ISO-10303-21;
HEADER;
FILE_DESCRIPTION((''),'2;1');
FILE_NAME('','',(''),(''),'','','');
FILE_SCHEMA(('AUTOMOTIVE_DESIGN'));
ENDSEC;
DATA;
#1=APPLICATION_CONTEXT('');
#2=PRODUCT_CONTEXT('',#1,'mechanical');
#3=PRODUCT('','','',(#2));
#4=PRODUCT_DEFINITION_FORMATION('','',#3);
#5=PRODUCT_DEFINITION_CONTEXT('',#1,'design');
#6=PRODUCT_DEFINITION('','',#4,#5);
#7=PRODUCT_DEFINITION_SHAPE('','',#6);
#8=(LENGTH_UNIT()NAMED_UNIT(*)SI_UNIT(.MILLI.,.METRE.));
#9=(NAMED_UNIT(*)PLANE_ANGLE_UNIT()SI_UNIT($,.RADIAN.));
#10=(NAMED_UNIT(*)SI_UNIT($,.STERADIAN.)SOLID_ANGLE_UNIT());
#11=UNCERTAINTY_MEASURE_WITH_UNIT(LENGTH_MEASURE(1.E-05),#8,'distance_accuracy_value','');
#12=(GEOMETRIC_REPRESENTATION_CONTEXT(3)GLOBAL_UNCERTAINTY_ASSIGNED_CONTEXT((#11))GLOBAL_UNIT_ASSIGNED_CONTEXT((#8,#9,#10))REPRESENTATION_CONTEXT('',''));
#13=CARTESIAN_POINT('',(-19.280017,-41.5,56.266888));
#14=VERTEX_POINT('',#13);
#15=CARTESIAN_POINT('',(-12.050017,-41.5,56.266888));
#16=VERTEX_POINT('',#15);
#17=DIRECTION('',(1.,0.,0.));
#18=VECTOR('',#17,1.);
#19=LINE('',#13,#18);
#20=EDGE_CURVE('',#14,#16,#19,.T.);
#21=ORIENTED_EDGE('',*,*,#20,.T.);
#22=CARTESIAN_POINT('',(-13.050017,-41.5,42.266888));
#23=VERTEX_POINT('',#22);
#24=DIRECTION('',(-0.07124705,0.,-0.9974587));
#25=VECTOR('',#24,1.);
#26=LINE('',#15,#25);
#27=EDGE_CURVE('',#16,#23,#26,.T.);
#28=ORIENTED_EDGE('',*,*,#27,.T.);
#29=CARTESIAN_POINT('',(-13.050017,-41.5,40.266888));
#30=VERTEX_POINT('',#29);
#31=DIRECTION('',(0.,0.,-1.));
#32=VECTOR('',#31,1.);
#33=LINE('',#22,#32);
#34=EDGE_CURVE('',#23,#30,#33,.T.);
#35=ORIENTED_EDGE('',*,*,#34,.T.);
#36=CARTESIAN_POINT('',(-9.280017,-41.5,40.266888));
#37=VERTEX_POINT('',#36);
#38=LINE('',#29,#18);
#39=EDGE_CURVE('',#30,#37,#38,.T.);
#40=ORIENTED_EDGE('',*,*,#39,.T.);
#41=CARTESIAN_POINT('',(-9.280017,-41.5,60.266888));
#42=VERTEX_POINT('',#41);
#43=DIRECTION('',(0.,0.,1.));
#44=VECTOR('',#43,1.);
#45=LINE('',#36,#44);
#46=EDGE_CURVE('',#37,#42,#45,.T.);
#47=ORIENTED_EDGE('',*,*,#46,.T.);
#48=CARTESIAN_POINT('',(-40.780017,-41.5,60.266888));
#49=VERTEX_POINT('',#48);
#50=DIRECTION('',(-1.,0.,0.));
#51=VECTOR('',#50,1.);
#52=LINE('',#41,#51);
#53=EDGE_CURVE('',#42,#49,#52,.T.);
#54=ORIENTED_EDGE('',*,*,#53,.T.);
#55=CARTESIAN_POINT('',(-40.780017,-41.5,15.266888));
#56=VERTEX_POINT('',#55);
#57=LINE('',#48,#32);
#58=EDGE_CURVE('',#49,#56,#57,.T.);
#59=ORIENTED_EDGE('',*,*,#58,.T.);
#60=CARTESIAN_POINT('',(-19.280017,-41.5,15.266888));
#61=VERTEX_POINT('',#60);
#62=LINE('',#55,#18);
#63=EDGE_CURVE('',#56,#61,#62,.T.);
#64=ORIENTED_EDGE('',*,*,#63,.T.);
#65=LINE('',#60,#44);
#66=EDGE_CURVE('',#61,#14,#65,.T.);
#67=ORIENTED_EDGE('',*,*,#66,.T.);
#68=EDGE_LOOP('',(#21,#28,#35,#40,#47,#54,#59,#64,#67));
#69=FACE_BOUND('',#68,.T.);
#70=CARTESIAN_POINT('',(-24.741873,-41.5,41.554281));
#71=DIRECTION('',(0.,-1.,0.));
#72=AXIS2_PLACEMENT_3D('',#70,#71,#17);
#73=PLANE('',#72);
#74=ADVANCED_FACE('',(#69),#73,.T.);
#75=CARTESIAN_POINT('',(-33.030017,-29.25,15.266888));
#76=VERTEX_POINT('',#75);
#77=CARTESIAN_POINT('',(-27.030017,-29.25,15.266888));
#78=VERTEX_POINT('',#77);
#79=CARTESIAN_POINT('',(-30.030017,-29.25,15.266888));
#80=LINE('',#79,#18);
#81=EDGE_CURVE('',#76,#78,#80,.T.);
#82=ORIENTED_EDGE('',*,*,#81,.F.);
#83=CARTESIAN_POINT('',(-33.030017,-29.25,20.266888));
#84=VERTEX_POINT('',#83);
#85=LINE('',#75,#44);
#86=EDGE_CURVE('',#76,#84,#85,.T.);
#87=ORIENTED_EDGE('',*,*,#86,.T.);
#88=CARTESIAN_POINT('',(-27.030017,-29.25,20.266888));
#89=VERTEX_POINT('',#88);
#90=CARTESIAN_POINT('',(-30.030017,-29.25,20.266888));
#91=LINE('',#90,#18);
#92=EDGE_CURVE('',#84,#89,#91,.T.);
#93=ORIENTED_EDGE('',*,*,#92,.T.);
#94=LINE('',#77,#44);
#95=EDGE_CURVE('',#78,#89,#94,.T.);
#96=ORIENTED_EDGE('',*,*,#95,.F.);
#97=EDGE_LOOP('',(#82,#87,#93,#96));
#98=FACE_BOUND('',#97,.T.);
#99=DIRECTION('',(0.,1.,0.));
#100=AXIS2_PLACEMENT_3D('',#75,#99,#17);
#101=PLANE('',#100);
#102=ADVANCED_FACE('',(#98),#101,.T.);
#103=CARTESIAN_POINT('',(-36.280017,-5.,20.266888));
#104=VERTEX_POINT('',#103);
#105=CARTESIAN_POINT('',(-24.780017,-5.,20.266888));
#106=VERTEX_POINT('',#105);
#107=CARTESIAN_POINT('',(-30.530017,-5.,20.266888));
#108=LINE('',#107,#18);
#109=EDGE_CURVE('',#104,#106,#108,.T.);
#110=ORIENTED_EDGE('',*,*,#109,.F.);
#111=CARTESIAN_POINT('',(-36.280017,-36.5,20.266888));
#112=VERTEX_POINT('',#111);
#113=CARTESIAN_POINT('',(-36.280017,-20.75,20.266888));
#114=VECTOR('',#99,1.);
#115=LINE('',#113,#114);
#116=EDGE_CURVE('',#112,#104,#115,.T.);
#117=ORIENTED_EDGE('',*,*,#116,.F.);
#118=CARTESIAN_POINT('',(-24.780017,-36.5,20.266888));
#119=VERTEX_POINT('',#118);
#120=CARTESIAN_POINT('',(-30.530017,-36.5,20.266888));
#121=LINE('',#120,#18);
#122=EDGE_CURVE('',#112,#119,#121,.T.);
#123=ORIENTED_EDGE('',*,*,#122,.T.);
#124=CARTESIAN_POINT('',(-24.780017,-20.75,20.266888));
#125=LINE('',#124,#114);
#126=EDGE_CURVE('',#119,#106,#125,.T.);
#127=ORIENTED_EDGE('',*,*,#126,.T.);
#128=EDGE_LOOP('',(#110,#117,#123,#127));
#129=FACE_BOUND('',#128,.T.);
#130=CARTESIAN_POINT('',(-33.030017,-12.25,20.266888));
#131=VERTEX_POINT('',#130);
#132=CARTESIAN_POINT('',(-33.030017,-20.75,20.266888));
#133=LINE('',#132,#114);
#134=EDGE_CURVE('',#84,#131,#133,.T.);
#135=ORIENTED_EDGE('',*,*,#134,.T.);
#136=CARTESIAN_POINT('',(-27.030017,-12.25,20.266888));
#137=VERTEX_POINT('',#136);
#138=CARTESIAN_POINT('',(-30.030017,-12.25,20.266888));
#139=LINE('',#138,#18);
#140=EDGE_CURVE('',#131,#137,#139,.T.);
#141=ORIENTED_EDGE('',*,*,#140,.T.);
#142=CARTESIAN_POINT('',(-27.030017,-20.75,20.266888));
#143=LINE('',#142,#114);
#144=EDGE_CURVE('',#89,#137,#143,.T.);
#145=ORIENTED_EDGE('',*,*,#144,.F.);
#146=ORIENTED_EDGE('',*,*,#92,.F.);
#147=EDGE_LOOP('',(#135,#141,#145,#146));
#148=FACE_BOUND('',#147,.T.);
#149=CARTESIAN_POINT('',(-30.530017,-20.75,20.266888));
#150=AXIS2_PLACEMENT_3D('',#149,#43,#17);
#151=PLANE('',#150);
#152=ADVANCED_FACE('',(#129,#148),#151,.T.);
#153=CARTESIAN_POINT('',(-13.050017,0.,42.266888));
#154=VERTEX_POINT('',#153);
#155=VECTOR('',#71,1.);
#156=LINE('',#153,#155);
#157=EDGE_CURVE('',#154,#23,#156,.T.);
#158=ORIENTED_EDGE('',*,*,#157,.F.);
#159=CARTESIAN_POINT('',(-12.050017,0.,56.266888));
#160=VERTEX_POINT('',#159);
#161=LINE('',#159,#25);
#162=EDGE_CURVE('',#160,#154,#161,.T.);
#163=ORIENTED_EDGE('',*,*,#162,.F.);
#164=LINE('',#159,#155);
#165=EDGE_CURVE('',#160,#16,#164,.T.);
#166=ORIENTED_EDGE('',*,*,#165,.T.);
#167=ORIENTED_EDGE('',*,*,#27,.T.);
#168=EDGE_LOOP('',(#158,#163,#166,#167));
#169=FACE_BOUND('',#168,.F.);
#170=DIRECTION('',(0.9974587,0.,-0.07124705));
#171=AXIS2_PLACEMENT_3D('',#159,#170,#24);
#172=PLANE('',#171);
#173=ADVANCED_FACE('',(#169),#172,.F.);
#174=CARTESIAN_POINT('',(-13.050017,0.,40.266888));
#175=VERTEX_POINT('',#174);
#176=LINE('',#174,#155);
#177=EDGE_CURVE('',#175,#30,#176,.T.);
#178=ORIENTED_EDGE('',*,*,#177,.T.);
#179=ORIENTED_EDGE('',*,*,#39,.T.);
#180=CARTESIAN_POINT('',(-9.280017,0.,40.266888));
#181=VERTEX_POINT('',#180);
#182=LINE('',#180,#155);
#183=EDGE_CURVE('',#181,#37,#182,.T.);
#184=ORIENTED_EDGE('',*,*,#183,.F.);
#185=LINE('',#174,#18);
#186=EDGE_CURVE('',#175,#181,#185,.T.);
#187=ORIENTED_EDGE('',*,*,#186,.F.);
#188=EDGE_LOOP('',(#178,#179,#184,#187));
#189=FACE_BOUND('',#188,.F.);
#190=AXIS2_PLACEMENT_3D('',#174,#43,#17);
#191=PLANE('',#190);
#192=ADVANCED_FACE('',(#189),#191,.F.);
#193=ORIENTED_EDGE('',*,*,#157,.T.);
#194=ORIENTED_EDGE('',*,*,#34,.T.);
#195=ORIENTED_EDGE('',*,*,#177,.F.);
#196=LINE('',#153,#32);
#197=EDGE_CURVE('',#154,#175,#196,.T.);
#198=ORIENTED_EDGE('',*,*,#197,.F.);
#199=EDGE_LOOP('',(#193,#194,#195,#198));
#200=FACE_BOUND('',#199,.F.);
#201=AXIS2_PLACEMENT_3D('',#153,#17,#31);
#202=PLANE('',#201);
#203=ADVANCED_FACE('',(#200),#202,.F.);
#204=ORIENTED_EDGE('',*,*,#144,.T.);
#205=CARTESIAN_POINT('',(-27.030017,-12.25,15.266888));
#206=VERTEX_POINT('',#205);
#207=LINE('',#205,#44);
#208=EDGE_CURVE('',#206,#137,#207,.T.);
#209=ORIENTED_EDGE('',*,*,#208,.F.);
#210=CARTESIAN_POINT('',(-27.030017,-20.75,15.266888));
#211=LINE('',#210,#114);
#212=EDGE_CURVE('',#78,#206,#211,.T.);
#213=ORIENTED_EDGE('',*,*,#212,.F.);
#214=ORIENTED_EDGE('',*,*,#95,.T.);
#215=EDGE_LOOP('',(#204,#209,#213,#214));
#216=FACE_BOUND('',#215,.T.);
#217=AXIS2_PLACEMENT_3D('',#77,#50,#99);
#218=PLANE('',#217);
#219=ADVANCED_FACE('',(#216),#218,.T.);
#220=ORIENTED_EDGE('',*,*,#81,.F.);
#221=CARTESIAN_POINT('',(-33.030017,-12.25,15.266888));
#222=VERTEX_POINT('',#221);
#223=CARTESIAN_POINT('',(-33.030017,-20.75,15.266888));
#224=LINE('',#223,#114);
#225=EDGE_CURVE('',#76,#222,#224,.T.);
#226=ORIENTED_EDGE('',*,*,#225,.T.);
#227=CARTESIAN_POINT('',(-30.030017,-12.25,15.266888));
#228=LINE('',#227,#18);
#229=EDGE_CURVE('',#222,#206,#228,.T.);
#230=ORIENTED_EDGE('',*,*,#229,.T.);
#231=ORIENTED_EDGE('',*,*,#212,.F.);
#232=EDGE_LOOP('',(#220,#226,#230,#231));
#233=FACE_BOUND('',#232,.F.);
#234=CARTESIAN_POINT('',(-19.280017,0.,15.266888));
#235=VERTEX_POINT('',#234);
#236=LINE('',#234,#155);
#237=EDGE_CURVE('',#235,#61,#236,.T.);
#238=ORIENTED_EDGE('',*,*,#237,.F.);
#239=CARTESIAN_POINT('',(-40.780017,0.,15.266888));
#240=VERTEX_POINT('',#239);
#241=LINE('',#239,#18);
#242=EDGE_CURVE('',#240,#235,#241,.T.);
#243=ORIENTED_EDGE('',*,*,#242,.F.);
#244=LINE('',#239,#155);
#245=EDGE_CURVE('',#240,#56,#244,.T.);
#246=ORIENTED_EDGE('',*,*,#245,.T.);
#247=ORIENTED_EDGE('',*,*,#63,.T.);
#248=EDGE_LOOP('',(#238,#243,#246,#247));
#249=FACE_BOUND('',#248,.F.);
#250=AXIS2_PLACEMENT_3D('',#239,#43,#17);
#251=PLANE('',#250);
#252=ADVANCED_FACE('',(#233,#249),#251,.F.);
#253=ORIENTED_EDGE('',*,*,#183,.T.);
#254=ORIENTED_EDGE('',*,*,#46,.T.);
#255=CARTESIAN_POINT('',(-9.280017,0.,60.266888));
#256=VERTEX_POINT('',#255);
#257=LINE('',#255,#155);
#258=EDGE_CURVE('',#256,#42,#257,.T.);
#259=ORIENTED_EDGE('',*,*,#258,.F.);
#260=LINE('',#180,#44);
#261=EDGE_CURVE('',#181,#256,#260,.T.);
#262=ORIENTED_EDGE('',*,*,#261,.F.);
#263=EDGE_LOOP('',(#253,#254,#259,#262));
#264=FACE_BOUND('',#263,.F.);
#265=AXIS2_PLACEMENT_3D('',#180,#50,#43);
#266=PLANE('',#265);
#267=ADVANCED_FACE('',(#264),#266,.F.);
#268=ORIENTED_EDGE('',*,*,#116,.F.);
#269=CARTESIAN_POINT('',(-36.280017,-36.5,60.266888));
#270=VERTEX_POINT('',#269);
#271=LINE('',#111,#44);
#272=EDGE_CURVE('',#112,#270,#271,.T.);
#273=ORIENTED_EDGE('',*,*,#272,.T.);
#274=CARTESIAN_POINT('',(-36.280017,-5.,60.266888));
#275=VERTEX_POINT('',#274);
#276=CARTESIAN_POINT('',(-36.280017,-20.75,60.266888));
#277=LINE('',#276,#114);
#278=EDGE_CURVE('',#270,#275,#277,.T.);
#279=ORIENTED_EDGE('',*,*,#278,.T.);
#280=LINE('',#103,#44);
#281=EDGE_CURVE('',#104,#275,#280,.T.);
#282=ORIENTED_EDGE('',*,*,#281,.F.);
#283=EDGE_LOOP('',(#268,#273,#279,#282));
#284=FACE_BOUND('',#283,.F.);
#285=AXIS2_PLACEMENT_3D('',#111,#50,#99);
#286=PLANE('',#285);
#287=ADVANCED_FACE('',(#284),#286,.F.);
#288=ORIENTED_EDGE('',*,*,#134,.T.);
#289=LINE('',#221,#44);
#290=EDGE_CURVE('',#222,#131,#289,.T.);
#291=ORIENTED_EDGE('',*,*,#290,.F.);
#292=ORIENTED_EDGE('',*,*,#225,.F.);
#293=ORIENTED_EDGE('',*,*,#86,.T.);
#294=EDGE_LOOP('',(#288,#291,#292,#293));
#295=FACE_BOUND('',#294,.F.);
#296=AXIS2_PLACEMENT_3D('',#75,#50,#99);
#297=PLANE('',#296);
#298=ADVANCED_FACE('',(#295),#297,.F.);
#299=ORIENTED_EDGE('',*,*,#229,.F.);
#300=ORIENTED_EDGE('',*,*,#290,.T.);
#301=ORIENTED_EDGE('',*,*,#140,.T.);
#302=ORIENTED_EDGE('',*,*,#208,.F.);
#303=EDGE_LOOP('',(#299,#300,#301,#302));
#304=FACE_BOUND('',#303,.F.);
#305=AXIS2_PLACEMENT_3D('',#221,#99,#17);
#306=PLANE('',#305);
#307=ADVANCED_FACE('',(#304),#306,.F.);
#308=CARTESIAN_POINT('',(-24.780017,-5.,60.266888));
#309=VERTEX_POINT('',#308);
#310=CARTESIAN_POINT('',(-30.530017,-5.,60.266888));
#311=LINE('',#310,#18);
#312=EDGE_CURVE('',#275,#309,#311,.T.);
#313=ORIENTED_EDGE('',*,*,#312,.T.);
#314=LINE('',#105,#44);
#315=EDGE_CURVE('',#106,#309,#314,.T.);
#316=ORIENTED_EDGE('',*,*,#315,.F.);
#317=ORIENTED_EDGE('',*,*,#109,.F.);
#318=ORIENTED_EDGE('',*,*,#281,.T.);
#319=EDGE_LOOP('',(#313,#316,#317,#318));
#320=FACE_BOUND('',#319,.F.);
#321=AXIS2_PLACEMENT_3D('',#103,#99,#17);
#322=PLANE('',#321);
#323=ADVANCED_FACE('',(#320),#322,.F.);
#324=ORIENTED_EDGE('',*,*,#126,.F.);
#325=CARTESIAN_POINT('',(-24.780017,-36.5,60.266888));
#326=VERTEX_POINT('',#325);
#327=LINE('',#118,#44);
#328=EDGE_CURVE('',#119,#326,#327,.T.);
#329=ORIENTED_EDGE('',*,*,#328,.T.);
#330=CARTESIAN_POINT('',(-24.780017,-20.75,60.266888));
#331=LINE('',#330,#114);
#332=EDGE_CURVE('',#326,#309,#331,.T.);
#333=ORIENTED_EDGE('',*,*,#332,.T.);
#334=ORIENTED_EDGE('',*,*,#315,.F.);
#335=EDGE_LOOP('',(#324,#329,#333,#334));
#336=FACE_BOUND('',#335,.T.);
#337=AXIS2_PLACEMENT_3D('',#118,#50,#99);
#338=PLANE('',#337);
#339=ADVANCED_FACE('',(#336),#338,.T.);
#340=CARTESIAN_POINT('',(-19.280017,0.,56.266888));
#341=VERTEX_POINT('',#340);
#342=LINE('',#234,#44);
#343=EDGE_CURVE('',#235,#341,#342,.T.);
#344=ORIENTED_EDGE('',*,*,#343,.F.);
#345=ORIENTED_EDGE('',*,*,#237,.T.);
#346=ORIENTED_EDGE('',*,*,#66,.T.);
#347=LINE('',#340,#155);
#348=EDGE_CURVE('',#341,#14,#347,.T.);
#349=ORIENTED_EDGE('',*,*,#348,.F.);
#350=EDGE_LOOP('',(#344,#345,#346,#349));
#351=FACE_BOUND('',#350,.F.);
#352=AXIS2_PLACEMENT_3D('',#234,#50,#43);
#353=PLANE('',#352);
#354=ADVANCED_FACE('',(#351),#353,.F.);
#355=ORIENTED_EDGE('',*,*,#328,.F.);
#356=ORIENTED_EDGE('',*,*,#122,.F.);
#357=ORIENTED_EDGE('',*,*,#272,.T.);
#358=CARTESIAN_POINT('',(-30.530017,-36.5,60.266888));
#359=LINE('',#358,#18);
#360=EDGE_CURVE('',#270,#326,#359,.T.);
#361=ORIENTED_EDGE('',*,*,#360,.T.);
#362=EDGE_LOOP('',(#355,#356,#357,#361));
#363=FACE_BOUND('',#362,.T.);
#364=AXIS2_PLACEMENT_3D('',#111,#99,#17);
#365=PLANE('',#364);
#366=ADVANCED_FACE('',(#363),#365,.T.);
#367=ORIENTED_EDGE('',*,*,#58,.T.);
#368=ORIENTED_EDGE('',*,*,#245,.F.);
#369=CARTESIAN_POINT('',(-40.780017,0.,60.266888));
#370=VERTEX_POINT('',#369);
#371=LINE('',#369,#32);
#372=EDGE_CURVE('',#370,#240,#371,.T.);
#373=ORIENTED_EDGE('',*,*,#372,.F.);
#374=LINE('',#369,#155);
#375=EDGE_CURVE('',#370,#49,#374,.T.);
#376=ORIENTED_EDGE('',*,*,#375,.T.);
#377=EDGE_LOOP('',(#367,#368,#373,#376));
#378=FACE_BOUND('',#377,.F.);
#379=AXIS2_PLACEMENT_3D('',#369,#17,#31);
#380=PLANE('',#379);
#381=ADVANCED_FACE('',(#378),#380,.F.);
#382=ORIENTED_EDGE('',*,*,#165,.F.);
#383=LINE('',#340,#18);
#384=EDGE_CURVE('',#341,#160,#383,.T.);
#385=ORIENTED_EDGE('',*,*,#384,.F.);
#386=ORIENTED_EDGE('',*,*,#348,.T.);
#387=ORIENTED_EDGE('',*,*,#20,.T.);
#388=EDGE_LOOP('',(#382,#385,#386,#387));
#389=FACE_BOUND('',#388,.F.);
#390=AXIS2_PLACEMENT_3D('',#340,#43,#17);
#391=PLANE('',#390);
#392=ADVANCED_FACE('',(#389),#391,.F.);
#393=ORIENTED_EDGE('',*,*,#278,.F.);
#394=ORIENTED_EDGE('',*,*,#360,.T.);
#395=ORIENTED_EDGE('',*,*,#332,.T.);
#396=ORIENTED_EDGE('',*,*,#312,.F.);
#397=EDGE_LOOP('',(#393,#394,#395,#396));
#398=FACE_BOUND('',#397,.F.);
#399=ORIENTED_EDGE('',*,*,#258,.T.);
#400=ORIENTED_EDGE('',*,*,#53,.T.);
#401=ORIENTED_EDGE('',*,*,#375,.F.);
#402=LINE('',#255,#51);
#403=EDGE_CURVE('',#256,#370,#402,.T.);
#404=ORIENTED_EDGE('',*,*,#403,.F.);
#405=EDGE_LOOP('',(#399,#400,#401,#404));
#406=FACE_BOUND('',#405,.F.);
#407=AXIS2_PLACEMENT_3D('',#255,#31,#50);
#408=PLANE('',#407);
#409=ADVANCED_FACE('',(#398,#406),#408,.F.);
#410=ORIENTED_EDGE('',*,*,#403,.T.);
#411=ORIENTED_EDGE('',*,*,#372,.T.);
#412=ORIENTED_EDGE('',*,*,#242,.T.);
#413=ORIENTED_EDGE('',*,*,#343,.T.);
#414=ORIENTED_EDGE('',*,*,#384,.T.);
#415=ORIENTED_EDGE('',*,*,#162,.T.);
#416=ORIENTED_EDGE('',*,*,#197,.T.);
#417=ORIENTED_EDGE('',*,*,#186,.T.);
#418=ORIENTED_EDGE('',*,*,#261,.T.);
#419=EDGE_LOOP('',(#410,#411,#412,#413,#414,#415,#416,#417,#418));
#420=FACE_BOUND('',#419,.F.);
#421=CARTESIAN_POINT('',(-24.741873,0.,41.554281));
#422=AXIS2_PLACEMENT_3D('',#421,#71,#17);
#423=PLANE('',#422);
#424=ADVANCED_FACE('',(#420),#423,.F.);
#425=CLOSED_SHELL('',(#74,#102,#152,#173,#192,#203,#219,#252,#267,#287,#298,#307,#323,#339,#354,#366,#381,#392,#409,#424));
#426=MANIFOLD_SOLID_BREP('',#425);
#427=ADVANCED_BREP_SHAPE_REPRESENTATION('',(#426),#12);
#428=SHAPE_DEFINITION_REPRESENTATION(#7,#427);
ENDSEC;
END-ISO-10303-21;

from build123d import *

# Parameters (mm, degrees)
BOX001_W      = 6
BOX001_H      = 17
BOX001_DEPTH  = 5
BOX_W         = 11.5
BOX_H         = 31.5
BOX_DEPTH     = 40
EXTRUDE_DEPTH = 41.5


with BuildPart() as cube001:
    # Box001 → Box001 (new body)
    with BuildSketch(Plane(origin=(-33.030017, -29.25, 15.266888), x_dir=(1, 0, 0), z_dir=(0, 0, 1))):
        with Locations((3, 8.5)):
            Rectangle(BOX001_W, BOX001_H)
    extrude(amount=BOX001_DEPTH)


with BuildPart() as cube:
    # Box → Box (new body)
    with BuildSketch(Plane(origin=(-36.280017, -36.5, 20.266888), x_dir=(1, 0, 0), z_dir=(0, 0, 1))):
        with Locations((5.75, 15.75)):
            Rectangle(BOX_W, BOX_H)
    extrude(amount=BOX_DEPTH)


with BuildPart() as cut001:
    # Sketch → Extrude (new body)
    with BuildSketch(Plane.XZ):
        Polygon((-13.050017, 40.266888), (-9.280017, 40.266888), (-9.280017, 60.266888), (-20.280017, 60.266888), (-40.780017, 60.266888), (-40.780017, 15.266888), (-19.280017, 15.266888), (-19.280017, 56.266888), (-12.050017, 56.266888), (-13.050017, 42.266888), align=None)
    extrude(amount=EXTRUDE_DEPTH)

    # Cut: cut Cube
    add(cube.part, mode=Mode.SUBTRACT)

    # Cut001: cut Cube001
    add(cube001.part, mode=Mode.SUBTRACT)


solid = cut001.part
